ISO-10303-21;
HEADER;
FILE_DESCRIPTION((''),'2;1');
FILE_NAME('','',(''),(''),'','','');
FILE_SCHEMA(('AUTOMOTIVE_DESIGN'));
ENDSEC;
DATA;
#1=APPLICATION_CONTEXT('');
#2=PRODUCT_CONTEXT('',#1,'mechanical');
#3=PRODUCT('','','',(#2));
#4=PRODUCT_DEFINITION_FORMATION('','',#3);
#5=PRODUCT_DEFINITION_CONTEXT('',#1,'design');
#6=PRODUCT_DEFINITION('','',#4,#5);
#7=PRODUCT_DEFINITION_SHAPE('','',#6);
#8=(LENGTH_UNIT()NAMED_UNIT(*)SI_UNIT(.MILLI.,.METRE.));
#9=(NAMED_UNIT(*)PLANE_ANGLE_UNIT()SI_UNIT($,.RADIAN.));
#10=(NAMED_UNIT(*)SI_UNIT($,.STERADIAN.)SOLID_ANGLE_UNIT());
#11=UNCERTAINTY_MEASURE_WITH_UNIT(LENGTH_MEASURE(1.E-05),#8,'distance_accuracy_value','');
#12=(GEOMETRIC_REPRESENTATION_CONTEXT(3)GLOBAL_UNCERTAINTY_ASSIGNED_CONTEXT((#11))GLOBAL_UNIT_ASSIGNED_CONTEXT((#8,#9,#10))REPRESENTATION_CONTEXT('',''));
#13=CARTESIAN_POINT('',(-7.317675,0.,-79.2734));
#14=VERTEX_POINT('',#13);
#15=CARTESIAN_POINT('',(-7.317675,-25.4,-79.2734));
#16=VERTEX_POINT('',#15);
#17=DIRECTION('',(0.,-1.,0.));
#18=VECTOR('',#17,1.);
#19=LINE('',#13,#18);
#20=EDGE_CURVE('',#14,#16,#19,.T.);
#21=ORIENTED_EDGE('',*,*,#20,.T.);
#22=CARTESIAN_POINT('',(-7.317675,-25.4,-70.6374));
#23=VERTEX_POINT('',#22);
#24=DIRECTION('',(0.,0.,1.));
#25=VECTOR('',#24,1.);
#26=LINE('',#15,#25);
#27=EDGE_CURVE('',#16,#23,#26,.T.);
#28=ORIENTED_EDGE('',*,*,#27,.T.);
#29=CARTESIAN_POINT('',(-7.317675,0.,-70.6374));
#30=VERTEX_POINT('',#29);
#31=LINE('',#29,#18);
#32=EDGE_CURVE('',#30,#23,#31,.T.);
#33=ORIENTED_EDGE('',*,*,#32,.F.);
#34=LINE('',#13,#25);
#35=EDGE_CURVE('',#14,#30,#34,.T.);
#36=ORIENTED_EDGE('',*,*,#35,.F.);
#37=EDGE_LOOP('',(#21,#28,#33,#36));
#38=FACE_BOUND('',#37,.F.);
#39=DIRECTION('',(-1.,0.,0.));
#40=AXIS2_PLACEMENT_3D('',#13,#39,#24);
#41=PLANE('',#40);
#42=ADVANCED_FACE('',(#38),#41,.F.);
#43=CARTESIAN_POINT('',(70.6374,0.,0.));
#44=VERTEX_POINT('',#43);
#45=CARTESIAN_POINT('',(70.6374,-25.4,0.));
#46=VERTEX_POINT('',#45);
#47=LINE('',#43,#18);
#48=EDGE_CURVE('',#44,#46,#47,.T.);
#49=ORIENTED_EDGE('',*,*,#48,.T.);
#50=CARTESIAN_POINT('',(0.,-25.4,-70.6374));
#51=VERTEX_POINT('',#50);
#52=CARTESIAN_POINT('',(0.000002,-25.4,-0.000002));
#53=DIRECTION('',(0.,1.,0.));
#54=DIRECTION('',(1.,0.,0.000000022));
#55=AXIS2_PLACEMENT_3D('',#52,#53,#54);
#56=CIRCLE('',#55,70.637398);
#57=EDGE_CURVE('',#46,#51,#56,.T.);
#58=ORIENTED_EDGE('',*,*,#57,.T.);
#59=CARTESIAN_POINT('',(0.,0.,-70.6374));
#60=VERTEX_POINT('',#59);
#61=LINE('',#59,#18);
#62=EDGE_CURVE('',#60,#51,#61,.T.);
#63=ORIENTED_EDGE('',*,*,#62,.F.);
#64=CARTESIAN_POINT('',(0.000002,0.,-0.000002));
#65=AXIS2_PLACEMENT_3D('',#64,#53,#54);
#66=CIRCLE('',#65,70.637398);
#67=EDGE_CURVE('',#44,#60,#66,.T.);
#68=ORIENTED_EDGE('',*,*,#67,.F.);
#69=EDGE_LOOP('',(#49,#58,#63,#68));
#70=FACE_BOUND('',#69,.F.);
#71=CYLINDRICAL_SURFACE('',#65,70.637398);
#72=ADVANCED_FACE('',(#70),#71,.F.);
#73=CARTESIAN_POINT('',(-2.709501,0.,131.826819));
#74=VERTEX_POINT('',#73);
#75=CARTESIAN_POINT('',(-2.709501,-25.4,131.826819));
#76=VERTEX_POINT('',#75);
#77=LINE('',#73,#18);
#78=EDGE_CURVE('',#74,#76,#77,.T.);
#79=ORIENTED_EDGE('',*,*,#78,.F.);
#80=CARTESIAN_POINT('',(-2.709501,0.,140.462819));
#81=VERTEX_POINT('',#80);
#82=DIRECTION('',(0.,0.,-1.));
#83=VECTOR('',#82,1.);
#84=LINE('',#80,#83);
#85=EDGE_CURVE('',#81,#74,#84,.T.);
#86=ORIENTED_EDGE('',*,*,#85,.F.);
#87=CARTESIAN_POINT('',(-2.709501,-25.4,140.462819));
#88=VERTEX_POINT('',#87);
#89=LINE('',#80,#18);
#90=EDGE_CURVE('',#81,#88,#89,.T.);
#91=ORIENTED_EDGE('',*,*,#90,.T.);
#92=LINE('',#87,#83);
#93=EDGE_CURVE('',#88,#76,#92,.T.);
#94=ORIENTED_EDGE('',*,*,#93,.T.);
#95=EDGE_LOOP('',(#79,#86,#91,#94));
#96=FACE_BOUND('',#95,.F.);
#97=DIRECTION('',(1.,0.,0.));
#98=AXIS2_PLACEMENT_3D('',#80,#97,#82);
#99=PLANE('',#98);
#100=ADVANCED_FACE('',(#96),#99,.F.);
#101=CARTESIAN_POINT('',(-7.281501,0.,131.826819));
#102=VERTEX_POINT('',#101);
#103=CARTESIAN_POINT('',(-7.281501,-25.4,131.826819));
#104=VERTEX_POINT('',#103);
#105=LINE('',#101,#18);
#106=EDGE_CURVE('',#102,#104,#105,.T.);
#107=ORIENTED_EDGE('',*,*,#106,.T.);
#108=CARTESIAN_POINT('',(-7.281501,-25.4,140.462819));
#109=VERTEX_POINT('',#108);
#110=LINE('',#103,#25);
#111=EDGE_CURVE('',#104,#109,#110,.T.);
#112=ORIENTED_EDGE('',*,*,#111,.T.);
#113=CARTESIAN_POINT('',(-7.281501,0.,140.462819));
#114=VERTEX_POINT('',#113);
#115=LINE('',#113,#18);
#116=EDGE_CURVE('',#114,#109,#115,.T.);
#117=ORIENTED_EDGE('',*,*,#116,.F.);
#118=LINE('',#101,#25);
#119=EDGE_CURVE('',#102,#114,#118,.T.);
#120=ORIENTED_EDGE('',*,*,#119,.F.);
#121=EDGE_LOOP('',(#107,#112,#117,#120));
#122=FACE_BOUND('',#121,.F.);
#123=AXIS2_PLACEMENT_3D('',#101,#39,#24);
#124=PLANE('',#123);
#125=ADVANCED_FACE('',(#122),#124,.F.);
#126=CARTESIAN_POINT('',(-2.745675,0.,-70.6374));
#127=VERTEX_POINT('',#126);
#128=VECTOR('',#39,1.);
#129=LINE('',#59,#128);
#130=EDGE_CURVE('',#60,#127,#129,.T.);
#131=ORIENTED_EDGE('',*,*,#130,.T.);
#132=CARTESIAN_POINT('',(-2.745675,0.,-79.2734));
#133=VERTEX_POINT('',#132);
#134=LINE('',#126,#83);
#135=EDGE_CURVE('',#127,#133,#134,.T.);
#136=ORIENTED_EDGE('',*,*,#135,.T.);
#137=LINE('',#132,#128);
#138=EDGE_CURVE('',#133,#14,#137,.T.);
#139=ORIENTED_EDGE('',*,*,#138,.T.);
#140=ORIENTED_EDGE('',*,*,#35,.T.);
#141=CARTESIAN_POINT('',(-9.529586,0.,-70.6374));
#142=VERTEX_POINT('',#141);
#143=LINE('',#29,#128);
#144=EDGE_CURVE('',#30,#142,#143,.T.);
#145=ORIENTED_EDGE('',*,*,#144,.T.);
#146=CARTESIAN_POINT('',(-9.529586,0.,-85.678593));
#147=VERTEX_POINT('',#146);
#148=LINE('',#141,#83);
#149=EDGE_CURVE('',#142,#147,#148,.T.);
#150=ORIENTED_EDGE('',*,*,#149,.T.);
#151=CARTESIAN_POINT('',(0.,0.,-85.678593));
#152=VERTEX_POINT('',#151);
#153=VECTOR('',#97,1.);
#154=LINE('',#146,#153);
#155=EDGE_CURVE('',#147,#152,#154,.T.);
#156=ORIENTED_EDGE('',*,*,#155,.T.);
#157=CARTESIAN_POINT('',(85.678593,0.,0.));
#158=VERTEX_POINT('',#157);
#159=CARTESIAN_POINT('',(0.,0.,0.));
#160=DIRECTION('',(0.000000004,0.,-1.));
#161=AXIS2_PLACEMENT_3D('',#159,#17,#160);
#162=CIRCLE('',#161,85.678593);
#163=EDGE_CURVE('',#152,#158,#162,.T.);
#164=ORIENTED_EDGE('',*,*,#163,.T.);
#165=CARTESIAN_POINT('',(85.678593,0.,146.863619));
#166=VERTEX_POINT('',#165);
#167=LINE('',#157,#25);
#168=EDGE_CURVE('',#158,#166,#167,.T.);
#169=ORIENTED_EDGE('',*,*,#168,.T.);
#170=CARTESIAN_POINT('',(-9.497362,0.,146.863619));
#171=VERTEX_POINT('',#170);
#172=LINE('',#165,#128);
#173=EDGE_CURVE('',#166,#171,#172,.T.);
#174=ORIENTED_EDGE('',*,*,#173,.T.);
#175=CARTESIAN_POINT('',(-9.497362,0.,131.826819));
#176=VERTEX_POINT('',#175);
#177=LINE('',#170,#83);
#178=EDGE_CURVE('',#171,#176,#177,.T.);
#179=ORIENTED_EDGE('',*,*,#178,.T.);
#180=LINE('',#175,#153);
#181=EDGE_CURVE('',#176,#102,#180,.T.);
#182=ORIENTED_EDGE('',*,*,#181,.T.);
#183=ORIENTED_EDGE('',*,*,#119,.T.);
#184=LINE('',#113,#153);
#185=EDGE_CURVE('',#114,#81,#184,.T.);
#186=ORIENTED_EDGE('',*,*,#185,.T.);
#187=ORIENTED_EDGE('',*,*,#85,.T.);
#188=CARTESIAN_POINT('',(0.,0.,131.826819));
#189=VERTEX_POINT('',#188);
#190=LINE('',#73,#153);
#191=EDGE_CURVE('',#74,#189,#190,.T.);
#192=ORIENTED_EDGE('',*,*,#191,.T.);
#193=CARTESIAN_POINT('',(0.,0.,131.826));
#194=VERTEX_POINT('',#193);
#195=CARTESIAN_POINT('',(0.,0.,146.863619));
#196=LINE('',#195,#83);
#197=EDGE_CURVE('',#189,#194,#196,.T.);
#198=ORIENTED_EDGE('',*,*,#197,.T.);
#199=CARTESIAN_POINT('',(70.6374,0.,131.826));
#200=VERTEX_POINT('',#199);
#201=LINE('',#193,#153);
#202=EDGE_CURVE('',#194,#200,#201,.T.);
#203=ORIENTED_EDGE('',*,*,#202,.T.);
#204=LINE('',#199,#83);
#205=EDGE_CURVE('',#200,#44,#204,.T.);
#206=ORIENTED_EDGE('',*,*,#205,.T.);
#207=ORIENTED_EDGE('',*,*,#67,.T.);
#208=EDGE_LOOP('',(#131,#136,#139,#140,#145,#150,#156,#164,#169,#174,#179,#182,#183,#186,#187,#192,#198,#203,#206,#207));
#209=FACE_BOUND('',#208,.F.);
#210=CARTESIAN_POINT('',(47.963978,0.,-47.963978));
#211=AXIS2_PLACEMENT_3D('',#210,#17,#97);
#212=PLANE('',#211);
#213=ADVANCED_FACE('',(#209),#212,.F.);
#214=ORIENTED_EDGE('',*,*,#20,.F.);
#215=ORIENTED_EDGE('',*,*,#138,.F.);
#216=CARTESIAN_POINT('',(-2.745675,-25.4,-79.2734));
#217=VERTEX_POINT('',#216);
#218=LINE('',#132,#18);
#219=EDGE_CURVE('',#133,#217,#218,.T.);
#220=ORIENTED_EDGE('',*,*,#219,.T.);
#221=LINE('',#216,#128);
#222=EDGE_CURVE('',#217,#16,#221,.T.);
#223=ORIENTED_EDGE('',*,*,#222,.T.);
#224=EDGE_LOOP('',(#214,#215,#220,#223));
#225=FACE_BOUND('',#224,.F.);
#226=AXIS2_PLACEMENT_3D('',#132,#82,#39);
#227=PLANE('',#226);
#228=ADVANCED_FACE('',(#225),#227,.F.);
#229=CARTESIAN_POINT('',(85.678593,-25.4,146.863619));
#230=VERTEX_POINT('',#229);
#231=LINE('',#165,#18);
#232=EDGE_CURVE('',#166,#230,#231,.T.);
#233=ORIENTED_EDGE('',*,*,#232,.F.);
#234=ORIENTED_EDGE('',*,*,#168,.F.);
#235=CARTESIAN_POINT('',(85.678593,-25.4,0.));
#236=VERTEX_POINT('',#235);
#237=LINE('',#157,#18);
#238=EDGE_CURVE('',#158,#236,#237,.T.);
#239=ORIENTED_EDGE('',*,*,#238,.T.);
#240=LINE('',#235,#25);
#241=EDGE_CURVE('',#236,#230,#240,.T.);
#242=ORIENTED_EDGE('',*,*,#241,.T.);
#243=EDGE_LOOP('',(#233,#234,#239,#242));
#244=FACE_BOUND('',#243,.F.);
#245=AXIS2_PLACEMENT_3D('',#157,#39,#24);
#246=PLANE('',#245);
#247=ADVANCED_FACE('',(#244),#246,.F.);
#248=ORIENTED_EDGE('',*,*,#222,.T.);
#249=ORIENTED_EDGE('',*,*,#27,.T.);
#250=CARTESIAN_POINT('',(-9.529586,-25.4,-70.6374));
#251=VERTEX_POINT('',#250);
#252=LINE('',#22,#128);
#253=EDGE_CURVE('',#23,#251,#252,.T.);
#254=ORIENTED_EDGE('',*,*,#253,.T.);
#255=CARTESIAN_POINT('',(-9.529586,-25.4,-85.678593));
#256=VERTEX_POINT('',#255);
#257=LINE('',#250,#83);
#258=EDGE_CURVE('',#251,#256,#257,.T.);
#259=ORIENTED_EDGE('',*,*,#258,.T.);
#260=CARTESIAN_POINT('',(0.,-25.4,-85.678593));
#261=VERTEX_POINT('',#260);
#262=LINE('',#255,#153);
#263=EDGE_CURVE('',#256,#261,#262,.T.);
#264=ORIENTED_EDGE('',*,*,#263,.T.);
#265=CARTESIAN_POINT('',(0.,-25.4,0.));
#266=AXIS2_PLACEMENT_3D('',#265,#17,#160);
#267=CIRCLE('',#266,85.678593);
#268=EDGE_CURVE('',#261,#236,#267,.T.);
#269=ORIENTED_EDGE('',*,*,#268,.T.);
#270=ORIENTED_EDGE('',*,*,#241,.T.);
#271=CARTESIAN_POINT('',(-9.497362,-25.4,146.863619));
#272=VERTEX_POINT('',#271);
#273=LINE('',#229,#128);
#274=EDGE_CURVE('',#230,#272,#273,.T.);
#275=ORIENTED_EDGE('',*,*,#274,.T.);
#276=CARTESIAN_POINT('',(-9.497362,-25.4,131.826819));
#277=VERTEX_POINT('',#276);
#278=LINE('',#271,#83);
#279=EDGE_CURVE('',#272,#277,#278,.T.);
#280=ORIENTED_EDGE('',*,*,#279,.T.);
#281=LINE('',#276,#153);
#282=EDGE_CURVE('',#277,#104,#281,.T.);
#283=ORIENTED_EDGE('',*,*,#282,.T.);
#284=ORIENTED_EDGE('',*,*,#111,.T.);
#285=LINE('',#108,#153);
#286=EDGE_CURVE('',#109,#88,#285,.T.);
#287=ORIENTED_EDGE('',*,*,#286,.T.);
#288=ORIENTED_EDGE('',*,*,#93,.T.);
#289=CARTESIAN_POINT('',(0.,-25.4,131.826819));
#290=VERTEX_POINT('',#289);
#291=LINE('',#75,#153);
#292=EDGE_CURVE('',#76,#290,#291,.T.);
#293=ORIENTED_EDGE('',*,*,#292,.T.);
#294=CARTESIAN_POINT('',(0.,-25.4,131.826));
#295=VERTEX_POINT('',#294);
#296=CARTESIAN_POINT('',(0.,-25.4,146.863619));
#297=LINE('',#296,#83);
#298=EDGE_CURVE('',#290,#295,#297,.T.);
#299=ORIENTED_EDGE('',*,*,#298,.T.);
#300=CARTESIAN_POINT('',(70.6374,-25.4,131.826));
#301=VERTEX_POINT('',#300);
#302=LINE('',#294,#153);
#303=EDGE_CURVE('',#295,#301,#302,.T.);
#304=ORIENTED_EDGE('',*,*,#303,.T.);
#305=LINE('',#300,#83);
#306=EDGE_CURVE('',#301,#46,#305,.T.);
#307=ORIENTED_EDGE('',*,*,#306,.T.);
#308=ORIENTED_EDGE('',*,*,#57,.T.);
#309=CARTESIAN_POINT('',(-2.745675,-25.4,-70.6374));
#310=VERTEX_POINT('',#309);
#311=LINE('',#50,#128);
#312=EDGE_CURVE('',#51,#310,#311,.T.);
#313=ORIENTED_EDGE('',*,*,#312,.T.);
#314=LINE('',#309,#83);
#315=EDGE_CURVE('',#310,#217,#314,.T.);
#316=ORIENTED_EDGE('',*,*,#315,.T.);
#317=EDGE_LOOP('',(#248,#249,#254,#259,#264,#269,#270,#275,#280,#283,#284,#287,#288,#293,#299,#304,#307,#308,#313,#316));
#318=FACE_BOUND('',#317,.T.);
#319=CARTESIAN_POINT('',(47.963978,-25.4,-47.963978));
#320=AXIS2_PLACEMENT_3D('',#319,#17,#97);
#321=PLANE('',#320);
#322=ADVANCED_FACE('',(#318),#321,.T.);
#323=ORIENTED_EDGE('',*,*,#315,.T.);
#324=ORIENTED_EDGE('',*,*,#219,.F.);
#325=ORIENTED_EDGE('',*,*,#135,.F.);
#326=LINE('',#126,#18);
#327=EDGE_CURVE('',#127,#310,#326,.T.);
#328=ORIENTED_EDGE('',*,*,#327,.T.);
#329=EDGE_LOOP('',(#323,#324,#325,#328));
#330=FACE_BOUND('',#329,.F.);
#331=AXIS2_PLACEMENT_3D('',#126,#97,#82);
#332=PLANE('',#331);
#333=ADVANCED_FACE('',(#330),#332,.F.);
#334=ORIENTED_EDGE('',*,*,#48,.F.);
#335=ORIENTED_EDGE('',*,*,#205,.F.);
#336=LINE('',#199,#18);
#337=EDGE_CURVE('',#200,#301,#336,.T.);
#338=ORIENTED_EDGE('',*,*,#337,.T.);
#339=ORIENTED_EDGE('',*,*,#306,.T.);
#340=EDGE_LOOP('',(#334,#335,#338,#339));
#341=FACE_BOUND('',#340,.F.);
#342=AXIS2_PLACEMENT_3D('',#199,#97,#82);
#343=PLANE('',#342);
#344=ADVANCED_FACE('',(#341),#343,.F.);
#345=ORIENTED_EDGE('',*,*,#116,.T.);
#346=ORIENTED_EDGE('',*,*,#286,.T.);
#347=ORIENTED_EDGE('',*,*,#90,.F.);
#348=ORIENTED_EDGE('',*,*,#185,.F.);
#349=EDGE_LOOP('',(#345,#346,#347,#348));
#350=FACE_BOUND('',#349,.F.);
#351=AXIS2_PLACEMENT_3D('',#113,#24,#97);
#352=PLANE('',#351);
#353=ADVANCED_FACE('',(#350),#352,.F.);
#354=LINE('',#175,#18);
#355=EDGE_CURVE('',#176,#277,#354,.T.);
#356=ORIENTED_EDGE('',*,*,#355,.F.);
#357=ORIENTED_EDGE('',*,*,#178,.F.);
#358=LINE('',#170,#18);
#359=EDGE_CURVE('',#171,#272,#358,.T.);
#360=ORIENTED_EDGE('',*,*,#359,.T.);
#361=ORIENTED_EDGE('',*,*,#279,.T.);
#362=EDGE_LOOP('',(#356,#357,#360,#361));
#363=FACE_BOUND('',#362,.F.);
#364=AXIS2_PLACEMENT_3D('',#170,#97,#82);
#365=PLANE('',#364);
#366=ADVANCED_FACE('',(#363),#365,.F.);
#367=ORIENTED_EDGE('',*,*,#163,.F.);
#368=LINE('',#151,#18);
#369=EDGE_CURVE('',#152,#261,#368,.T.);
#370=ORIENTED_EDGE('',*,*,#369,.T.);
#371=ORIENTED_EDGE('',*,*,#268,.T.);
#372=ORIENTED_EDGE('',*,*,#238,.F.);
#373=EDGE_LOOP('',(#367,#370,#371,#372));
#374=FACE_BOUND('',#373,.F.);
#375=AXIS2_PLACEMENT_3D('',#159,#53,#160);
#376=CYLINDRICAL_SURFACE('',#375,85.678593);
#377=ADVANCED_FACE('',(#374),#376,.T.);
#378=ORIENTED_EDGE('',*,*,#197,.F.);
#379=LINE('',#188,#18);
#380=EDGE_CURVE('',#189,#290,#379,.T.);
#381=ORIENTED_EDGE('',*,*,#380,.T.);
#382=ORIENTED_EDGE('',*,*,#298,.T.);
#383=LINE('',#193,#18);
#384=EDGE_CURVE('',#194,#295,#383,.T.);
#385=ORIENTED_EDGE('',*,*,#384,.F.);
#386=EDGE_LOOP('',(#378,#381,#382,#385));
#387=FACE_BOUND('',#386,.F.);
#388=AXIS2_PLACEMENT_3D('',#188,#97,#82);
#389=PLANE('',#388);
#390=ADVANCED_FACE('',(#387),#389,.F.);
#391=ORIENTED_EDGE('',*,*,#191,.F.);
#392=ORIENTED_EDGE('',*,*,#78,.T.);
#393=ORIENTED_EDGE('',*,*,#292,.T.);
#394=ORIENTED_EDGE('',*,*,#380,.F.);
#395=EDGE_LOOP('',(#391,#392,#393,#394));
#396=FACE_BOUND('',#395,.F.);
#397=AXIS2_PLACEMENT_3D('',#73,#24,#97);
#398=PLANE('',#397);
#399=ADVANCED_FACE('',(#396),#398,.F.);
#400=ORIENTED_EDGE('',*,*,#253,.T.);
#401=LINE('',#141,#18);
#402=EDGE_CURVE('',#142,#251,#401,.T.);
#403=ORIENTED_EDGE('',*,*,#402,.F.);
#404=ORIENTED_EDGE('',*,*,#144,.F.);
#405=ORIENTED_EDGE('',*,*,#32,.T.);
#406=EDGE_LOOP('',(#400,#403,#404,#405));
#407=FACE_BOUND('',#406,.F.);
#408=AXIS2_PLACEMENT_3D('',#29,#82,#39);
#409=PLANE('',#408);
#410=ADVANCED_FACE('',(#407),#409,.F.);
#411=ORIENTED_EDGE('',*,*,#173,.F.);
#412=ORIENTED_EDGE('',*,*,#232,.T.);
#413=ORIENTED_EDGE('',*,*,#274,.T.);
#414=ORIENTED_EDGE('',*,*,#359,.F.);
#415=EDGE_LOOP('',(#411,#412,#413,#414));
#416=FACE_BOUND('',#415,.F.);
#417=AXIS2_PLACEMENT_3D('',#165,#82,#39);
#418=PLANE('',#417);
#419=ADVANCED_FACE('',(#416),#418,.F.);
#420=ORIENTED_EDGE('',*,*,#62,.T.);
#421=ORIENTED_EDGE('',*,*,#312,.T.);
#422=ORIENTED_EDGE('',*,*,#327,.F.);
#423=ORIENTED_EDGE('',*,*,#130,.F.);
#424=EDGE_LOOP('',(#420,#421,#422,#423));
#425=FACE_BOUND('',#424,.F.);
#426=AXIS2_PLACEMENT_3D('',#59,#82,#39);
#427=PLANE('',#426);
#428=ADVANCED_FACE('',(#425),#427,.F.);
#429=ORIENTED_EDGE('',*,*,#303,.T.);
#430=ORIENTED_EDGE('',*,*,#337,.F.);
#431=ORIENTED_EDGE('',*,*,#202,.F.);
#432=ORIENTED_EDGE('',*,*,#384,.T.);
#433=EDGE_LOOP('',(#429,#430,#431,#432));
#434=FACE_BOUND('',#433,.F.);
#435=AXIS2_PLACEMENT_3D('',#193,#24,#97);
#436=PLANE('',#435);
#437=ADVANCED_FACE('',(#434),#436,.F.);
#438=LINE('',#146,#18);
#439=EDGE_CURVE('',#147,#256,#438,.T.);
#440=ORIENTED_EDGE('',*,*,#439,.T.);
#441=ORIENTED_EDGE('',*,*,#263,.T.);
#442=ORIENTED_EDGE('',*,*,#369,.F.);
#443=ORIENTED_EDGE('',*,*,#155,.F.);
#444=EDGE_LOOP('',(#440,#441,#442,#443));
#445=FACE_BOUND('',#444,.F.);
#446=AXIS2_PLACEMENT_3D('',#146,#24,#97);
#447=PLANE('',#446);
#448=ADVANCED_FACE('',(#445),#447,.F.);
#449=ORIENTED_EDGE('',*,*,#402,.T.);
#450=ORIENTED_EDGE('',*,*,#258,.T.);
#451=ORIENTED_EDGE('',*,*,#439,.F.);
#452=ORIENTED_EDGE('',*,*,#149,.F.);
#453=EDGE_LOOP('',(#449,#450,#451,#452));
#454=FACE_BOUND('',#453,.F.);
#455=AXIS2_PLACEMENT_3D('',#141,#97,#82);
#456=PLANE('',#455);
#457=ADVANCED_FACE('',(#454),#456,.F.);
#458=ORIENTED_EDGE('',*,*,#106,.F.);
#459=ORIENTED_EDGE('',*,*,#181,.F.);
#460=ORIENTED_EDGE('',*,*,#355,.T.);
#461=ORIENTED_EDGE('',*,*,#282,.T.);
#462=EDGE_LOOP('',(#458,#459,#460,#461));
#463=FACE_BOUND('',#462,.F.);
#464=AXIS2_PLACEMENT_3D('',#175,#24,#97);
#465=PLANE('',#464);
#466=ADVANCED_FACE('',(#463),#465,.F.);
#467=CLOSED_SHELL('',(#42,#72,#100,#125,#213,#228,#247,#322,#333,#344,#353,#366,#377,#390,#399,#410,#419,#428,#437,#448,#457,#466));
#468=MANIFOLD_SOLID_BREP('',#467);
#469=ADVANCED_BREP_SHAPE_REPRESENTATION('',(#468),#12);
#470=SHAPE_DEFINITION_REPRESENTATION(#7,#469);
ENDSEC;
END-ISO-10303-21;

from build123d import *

# Parameters (mm, degrees)
F1_DEPTH = 25.4


with BuildPart() as f1:
    # F0 (on Front) → F1 (new body)
    with BuildSketch(Plane.XZ):
        with BuildLine():
            Line((0, -70.6374), (0, -85.678593))
            ThreePointArc((0, -85.678593), (60.583914, -60.583914), (85.678593, 0))
            Line((85.678593, 0), (70.6374, 0))
            ThreePointArc((70.6374, 0), (49.948185, -49.948185), (0, -70.6374))
        make_face()
        Polygon((70.6374, 0), (85.678593, 0), (85.678593, 131.826), (85.678593, 146.863619), (70.6374, 146.863619), (0, 146.863619), (0, 131.826819), (0, 131.826), (70.6374, 131.826), align=None)
        Polygon((-2.709501, 131.826819), (0, 131.826819), (0, 146.863619), (-9.497362, 146.863619), (-9.497362, 131.826819), (-7.281501, 131.826819), (-7.281501, 140.462819), (-2.709501, 140.462819), align=None)
        Polygon((-9.529586, -85.678593), (0, -85.678593), (0, -70.6374), (-2.745675, -70.6374), (-2.745675, -79.2734), (-7.317675, -79.2734), (-7.317675, -70.6374), (-9.529586, -70.6374), align=None)
    extrude(amount=F1_DEPTH)


solid = f1.part
